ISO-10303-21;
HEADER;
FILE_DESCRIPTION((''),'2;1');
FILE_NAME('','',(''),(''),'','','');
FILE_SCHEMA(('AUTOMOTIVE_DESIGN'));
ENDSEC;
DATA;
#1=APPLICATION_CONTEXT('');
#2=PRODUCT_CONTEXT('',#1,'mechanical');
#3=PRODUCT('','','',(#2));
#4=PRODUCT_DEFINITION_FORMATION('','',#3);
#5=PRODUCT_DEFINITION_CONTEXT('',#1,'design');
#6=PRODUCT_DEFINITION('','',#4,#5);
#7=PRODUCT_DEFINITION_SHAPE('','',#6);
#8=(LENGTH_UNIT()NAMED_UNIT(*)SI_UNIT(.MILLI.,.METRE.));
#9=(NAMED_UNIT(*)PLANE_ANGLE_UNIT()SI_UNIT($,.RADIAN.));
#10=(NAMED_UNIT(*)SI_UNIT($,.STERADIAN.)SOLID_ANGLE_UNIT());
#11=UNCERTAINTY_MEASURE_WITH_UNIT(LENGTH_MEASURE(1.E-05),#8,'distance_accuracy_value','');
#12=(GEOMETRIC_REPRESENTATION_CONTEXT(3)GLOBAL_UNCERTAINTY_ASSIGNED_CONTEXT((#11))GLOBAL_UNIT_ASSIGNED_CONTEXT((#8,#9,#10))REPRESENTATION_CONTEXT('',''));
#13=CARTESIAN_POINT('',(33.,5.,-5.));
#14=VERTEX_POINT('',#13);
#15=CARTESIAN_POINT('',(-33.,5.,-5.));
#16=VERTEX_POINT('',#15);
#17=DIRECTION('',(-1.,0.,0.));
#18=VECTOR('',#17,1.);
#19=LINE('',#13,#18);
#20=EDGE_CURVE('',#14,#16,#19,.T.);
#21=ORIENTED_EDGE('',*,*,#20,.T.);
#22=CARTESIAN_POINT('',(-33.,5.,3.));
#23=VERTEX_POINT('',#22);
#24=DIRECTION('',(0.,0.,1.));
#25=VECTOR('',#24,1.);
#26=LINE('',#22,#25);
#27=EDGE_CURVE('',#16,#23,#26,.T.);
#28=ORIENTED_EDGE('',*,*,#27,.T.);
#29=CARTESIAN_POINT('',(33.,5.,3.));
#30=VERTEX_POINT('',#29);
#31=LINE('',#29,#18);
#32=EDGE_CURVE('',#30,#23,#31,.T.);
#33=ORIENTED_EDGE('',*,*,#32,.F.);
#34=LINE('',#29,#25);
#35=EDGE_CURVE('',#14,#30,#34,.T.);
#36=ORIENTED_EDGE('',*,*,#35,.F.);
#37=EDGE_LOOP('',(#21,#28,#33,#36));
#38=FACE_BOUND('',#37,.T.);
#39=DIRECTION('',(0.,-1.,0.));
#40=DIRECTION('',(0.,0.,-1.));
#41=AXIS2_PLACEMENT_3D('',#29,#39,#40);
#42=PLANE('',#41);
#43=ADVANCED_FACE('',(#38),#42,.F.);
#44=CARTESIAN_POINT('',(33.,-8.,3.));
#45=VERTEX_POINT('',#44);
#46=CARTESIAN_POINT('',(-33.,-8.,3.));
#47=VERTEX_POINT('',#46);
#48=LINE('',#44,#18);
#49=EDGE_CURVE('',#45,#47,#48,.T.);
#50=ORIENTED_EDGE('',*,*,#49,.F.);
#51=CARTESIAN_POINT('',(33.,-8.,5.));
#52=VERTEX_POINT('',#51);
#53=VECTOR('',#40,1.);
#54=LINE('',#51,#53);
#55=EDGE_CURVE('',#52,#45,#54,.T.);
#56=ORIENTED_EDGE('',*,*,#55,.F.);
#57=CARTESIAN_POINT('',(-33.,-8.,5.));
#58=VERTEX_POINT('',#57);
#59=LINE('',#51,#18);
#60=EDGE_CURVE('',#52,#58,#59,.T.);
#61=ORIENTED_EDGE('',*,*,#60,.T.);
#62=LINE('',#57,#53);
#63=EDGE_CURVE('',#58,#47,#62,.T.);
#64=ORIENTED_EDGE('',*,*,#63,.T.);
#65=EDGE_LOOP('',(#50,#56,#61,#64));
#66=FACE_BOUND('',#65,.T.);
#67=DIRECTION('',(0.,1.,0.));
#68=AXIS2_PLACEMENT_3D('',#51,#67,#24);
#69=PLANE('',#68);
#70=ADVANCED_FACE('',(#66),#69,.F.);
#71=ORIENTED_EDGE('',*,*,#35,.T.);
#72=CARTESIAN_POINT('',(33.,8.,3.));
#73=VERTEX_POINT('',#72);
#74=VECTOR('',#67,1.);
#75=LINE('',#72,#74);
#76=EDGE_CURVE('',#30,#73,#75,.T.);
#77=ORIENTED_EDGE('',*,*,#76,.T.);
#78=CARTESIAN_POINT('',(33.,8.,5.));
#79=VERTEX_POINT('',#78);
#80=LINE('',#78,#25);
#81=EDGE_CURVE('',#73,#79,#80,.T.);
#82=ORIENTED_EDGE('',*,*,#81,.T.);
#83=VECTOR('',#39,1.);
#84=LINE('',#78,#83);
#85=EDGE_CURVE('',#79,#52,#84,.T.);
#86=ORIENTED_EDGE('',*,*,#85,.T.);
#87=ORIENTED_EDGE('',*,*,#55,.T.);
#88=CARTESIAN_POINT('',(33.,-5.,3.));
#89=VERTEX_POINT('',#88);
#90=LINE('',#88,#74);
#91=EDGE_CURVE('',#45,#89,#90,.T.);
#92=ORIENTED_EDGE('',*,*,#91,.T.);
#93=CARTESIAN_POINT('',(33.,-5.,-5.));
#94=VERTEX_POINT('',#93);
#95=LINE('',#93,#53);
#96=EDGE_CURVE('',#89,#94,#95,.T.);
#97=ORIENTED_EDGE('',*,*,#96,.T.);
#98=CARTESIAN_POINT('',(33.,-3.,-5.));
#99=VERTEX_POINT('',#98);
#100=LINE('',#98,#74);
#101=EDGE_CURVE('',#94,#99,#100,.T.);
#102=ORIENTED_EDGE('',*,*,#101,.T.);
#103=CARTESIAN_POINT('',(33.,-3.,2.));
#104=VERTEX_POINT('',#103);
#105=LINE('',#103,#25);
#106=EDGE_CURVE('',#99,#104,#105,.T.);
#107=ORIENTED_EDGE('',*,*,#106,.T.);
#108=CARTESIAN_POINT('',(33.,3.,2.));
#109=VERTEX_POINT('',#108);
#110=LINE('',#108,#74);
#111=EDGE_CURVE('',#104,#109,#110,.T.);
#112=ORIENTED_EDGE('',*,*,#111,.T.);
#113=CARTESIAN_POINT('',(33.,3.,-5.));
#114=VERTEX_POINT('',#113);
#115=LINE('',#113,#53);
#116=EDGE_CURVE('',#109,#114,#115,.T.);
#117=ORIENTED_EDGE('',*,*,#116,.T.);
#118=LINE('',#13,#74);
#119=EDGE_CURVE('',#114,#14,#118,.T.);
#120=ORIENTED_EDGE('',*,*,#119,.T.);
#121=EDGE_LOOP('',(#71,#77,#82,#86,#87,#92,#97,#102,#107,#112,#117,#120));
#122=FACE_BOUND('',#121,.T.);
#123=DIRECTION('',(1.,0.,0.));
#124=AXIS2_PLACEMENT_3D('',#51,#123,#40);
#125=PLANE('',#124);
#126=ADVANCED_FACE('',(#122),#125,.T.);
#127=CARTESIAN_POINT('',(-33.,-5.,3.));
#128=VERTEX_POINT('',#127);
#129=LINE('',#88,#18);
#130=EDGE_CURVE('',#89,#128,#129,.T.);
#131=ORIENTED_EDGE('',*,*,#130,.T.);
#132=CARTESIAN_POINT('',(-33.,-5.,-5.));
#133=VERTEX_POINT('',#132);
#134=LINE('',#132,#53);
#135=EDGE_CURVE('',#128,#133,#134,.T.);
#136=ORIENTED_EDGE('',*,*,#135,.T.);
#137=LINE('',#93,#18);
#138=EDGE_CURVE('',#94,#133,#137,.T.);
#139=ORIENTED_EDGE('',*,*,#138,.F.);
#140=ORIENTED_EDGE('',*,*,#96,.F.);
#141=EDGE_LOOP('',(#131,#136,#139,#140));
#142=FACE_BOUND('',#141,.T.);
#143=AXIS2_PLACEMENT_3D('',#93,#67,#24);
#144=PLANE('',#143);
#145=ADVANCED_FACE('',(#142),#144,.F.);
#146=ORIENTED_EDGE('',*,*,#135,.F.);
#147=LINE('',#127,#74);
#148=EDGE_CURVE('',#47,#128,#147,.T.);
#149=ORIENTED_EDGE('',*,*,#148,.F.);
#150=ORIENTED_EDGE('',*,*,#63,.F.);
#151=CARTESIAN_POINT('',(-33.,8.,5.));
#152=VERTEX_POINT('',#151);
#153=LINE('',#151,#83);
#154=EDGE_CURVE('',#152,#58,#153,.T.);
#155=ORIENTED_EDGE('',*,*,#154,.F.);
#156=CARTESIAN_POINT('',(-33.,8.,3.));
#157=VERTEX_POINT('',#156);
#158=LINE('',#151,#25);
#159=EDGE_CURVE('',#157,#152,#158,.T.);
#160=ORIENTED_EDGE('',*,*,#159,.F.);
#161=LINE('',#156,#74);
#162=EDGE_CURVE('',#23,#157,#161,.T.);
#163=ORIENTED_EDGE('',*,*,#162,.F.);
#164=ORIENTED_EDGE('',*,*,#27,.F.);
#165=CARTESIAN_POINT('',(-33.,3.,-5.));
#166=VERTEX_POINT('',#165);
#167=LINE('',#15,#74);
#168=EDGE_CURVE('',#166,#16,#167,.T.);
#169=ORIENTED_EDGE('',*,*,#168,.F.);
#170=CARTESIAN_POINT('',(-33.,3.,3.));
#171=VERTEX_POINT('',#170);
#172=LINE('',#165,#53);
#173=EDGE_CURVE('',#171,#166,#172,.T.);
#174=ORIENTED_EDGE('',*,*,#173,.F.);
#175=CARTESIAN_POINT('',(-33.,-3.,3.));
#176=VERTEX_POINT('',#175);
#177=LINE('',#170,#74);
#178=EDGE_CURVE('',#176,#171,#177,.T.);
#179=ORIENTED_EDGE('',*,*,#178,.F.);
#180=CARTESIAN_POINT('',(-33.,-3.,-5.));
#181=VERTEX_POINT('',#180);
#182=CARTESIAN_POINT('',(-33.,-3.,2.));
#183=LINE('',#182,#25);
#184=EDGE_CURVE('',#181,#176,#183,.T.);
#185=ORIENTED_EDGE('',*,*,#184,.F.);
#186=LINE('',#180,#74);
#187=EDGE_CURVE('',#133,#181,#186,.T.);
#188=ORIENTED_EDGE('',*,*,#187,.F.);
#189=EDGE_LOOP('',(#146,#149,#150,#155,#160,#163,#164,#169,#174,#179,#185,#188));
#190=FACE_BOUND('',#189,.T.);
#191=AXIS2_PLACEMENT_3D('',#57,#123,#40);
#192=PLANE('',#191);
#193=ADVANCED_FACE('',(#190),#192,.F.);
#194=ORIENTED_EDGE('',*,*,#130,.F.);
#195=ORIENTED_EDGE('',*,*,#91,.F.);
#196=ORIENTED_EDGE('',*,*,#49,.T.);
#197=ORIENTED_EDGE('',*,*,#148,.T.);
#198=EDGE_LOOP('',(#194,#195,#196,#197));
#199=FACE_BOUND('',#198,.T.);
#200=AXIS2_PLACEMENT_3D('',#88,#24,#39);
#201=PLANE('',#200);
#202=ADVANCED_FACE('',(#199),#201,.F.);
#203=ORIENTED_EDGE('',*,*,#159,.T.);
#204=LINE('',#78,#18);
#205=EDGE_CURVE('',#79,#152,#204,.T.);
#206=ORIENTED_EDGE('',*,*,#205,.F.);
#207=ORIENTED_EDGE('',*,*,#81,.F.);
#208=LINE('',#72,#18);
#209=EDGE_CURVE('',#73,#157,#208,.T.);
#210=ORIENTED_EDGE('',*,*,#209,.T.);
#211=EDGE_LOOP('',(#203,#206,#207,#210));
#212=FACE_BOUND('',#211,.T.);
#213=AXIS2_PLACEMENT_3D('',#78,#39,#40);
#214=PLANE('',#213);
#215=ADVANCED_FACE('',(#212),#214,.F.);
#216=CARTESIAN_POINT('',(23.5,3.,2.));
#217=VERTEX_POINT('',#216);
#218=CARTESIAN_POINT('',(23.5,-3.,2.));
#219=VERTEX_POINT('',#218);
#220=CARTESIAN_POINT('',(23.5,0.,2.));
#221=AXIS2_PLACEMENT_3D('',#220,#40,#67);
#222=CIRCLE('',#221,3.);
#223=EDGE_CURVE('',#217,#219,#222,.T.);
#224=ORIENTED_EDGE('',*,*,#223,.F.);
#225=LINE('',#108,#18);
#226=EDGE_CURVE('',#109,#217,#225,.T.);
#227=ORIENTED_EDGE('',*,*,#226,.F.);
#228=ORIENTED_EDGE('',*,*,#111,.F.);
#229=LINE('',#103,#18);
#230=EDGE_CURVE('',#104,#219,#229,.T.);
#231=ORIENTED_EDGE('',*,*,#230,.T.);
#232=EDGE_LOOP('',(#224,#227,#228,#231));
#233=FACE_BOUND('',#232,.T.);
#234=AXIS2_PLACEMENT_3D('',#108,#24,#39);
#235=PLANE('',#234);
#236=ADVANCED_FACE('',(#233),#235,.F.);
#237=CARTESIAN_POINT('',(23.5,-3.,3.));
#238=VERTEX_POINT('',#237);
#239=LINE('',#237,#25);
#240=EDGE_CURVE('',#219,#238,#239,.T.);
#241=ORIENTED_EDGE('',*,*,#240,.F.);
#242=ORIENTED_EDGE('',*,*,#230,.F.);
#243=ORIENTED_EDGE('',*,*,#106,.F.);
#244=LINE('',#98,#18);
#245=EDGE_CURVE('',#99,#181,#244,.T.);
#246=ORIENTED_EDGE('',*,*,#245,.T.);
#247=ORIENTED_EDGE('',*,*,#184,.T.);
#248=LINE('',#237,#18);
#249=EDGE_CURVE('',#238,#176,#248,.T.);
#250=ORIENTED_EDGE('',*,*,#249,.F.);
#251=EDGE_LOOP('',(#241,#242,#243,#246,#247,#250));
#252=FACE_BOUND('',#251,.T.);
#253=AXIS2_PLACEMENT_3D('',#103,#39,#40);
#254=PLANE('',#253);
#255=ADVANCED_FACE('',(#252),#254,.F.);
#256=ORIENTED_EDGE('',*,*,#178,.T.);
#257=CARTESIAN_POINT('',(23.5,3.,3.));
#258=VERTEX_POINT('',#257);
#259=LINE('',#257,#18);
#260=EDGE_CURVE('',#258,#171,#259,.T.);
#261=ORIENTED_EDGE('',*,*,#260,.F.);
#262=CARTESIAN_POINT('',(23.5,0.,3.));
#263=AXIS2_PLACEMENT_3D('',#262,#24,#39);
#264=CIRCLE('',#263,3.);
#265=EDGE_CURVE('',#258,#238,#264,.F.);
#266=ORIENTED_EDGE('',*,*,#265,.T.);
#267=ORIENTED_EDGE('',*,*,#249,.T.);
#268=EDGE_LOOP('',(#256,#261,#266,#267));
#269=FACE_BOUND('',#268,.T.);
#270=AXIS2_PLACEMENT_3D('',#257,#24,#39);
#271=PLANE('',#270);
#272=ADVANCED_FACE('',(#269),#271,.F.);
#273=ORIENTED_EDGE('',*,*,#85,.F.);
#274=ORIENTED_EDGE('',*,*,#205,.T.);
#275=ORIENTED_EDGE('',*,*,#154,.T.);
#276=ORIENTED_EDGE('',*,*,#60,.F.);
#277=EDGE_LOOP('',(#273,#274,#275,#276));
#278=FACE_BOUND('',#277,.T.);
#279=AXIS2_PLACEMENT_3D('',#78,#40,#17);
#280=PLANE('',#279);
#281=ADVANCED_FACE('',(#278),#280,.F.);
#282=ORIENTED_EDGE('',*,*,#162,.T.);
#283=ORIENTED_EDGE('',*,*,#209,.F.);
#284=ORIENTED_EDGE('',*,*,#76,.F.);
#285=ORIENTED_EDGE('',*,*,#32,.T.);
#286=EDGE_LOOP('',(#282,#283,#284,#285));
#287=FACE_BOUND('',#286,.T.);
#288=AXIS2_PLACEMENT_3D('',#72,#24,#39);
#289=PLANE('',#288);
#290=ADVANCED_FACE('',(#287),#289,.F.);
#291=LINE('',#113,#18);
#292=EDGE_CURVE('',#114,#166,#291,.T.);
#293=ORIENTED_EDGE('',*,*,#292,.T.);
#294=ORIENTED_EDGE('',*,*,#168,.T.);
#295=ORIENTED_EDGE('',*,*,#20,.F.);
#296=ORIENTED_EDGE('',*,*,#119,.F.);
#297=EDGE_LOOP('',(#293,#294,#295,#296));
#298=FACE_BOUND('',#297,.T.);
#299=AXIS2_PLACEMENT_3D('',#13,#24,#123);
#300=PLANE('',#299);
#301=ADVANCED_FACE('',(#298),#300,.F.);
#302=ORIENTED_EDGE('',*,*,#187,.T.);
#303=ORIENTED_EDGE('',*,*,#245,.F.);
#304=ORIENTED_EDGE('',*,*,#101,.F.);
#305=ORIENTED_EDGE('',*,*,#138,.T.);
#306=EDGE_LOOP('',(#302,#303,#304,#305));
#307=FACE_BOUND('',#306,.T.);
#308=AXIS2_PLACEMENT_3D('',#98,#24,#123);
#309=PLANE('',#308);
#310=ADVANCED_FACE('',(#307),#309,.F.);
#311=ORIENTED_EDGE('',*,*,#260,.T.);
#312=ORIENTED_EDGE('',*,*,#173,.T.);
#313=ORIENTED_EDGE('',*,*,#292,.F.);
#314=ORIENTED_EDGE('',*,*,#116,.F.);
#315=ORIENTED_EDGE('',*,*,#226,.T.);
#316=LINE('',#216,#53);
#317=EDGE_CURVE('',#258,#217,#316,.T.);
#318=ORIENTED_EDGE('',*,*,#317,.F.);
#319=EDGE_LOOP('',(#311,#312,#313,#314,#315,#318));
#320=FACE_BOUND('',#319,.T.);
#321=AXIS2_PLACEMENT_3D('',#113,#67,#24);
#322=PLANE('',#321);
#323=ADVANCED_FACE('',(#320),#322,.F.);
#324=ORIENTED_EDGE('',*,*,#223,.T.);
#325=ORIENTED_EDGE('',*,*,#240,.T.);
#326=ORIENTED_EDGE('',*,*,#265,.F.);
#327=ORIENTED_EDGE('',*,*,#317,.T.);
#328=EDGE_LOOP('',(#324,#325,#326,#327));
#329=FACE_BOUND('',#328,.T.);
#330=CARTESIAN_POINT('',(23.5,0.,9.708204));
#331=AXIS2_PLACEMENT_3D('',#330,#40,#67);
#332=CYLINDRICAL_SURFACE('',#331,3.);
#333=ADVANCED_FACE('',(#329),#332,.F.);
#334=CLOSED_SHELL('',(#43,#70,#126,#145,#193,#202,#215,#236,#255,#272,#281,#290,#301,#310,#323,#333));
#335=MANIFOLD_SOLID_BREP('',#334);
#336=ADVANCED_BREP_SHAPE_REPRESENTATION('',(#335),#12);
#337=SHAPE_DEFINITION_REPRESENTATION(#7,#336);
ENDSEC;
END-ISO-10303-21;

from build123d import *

# Parameters (mm, degrees)
EXTRUDE1_DEPTH = 33
SKETCH2_W      = 1
SKETCH2_H      = 6
EXTRUDE2_DEPTH = 56.5
EXTRUDE3_DEPTH = 1


with BuildPart() as part:
    # Sketch1 → Extrude1 (new body, symmetric)
    with BuildSketch(Plane(origin=(0, 0, 0), x_dir=(0, 0, -1), z_dir=(1, 0, 0))):
        Polygon((-3, 8), (-3, 5), (5, 5), (5, 3), (-2, 3), (-2, -3), (5, -3), (5, -5), (-3, -5), (-3, -8), (-5, -8), (-5, 8), align=None)
    extrude(amount=EXTRUDE1_DEPTH, both=True)

    # Sketch2 → Extrude2 (cut)
    with BuildSketch(Plane.ZY.offset(33)):
        with Locations((2.5, 0)):
            Rectangle(SKETCH2_W, SKETCH2_H)
    extrude(amount=-EXTRUDE2_DEPTH, mode=Mode.SUBTRACT)

    # Sketch3 → Extrude3 (cut)
    with BuildSketch(Plane(origin=(0, 0, 2), x_dir=(-1, 0, 0), z_dir=(0, 0, -1))):
        with BuildLine():
            Line((-23.5, 3), (-23.5, -3))
            ThreePointArc((-23.5, -3), (-26.5, 0), (-23.5, 3))
        make_face()
    extrude(amount=-EXTRUDE3_DEPTH, mode=Mode.SUBTRACT)


solid = part.part
